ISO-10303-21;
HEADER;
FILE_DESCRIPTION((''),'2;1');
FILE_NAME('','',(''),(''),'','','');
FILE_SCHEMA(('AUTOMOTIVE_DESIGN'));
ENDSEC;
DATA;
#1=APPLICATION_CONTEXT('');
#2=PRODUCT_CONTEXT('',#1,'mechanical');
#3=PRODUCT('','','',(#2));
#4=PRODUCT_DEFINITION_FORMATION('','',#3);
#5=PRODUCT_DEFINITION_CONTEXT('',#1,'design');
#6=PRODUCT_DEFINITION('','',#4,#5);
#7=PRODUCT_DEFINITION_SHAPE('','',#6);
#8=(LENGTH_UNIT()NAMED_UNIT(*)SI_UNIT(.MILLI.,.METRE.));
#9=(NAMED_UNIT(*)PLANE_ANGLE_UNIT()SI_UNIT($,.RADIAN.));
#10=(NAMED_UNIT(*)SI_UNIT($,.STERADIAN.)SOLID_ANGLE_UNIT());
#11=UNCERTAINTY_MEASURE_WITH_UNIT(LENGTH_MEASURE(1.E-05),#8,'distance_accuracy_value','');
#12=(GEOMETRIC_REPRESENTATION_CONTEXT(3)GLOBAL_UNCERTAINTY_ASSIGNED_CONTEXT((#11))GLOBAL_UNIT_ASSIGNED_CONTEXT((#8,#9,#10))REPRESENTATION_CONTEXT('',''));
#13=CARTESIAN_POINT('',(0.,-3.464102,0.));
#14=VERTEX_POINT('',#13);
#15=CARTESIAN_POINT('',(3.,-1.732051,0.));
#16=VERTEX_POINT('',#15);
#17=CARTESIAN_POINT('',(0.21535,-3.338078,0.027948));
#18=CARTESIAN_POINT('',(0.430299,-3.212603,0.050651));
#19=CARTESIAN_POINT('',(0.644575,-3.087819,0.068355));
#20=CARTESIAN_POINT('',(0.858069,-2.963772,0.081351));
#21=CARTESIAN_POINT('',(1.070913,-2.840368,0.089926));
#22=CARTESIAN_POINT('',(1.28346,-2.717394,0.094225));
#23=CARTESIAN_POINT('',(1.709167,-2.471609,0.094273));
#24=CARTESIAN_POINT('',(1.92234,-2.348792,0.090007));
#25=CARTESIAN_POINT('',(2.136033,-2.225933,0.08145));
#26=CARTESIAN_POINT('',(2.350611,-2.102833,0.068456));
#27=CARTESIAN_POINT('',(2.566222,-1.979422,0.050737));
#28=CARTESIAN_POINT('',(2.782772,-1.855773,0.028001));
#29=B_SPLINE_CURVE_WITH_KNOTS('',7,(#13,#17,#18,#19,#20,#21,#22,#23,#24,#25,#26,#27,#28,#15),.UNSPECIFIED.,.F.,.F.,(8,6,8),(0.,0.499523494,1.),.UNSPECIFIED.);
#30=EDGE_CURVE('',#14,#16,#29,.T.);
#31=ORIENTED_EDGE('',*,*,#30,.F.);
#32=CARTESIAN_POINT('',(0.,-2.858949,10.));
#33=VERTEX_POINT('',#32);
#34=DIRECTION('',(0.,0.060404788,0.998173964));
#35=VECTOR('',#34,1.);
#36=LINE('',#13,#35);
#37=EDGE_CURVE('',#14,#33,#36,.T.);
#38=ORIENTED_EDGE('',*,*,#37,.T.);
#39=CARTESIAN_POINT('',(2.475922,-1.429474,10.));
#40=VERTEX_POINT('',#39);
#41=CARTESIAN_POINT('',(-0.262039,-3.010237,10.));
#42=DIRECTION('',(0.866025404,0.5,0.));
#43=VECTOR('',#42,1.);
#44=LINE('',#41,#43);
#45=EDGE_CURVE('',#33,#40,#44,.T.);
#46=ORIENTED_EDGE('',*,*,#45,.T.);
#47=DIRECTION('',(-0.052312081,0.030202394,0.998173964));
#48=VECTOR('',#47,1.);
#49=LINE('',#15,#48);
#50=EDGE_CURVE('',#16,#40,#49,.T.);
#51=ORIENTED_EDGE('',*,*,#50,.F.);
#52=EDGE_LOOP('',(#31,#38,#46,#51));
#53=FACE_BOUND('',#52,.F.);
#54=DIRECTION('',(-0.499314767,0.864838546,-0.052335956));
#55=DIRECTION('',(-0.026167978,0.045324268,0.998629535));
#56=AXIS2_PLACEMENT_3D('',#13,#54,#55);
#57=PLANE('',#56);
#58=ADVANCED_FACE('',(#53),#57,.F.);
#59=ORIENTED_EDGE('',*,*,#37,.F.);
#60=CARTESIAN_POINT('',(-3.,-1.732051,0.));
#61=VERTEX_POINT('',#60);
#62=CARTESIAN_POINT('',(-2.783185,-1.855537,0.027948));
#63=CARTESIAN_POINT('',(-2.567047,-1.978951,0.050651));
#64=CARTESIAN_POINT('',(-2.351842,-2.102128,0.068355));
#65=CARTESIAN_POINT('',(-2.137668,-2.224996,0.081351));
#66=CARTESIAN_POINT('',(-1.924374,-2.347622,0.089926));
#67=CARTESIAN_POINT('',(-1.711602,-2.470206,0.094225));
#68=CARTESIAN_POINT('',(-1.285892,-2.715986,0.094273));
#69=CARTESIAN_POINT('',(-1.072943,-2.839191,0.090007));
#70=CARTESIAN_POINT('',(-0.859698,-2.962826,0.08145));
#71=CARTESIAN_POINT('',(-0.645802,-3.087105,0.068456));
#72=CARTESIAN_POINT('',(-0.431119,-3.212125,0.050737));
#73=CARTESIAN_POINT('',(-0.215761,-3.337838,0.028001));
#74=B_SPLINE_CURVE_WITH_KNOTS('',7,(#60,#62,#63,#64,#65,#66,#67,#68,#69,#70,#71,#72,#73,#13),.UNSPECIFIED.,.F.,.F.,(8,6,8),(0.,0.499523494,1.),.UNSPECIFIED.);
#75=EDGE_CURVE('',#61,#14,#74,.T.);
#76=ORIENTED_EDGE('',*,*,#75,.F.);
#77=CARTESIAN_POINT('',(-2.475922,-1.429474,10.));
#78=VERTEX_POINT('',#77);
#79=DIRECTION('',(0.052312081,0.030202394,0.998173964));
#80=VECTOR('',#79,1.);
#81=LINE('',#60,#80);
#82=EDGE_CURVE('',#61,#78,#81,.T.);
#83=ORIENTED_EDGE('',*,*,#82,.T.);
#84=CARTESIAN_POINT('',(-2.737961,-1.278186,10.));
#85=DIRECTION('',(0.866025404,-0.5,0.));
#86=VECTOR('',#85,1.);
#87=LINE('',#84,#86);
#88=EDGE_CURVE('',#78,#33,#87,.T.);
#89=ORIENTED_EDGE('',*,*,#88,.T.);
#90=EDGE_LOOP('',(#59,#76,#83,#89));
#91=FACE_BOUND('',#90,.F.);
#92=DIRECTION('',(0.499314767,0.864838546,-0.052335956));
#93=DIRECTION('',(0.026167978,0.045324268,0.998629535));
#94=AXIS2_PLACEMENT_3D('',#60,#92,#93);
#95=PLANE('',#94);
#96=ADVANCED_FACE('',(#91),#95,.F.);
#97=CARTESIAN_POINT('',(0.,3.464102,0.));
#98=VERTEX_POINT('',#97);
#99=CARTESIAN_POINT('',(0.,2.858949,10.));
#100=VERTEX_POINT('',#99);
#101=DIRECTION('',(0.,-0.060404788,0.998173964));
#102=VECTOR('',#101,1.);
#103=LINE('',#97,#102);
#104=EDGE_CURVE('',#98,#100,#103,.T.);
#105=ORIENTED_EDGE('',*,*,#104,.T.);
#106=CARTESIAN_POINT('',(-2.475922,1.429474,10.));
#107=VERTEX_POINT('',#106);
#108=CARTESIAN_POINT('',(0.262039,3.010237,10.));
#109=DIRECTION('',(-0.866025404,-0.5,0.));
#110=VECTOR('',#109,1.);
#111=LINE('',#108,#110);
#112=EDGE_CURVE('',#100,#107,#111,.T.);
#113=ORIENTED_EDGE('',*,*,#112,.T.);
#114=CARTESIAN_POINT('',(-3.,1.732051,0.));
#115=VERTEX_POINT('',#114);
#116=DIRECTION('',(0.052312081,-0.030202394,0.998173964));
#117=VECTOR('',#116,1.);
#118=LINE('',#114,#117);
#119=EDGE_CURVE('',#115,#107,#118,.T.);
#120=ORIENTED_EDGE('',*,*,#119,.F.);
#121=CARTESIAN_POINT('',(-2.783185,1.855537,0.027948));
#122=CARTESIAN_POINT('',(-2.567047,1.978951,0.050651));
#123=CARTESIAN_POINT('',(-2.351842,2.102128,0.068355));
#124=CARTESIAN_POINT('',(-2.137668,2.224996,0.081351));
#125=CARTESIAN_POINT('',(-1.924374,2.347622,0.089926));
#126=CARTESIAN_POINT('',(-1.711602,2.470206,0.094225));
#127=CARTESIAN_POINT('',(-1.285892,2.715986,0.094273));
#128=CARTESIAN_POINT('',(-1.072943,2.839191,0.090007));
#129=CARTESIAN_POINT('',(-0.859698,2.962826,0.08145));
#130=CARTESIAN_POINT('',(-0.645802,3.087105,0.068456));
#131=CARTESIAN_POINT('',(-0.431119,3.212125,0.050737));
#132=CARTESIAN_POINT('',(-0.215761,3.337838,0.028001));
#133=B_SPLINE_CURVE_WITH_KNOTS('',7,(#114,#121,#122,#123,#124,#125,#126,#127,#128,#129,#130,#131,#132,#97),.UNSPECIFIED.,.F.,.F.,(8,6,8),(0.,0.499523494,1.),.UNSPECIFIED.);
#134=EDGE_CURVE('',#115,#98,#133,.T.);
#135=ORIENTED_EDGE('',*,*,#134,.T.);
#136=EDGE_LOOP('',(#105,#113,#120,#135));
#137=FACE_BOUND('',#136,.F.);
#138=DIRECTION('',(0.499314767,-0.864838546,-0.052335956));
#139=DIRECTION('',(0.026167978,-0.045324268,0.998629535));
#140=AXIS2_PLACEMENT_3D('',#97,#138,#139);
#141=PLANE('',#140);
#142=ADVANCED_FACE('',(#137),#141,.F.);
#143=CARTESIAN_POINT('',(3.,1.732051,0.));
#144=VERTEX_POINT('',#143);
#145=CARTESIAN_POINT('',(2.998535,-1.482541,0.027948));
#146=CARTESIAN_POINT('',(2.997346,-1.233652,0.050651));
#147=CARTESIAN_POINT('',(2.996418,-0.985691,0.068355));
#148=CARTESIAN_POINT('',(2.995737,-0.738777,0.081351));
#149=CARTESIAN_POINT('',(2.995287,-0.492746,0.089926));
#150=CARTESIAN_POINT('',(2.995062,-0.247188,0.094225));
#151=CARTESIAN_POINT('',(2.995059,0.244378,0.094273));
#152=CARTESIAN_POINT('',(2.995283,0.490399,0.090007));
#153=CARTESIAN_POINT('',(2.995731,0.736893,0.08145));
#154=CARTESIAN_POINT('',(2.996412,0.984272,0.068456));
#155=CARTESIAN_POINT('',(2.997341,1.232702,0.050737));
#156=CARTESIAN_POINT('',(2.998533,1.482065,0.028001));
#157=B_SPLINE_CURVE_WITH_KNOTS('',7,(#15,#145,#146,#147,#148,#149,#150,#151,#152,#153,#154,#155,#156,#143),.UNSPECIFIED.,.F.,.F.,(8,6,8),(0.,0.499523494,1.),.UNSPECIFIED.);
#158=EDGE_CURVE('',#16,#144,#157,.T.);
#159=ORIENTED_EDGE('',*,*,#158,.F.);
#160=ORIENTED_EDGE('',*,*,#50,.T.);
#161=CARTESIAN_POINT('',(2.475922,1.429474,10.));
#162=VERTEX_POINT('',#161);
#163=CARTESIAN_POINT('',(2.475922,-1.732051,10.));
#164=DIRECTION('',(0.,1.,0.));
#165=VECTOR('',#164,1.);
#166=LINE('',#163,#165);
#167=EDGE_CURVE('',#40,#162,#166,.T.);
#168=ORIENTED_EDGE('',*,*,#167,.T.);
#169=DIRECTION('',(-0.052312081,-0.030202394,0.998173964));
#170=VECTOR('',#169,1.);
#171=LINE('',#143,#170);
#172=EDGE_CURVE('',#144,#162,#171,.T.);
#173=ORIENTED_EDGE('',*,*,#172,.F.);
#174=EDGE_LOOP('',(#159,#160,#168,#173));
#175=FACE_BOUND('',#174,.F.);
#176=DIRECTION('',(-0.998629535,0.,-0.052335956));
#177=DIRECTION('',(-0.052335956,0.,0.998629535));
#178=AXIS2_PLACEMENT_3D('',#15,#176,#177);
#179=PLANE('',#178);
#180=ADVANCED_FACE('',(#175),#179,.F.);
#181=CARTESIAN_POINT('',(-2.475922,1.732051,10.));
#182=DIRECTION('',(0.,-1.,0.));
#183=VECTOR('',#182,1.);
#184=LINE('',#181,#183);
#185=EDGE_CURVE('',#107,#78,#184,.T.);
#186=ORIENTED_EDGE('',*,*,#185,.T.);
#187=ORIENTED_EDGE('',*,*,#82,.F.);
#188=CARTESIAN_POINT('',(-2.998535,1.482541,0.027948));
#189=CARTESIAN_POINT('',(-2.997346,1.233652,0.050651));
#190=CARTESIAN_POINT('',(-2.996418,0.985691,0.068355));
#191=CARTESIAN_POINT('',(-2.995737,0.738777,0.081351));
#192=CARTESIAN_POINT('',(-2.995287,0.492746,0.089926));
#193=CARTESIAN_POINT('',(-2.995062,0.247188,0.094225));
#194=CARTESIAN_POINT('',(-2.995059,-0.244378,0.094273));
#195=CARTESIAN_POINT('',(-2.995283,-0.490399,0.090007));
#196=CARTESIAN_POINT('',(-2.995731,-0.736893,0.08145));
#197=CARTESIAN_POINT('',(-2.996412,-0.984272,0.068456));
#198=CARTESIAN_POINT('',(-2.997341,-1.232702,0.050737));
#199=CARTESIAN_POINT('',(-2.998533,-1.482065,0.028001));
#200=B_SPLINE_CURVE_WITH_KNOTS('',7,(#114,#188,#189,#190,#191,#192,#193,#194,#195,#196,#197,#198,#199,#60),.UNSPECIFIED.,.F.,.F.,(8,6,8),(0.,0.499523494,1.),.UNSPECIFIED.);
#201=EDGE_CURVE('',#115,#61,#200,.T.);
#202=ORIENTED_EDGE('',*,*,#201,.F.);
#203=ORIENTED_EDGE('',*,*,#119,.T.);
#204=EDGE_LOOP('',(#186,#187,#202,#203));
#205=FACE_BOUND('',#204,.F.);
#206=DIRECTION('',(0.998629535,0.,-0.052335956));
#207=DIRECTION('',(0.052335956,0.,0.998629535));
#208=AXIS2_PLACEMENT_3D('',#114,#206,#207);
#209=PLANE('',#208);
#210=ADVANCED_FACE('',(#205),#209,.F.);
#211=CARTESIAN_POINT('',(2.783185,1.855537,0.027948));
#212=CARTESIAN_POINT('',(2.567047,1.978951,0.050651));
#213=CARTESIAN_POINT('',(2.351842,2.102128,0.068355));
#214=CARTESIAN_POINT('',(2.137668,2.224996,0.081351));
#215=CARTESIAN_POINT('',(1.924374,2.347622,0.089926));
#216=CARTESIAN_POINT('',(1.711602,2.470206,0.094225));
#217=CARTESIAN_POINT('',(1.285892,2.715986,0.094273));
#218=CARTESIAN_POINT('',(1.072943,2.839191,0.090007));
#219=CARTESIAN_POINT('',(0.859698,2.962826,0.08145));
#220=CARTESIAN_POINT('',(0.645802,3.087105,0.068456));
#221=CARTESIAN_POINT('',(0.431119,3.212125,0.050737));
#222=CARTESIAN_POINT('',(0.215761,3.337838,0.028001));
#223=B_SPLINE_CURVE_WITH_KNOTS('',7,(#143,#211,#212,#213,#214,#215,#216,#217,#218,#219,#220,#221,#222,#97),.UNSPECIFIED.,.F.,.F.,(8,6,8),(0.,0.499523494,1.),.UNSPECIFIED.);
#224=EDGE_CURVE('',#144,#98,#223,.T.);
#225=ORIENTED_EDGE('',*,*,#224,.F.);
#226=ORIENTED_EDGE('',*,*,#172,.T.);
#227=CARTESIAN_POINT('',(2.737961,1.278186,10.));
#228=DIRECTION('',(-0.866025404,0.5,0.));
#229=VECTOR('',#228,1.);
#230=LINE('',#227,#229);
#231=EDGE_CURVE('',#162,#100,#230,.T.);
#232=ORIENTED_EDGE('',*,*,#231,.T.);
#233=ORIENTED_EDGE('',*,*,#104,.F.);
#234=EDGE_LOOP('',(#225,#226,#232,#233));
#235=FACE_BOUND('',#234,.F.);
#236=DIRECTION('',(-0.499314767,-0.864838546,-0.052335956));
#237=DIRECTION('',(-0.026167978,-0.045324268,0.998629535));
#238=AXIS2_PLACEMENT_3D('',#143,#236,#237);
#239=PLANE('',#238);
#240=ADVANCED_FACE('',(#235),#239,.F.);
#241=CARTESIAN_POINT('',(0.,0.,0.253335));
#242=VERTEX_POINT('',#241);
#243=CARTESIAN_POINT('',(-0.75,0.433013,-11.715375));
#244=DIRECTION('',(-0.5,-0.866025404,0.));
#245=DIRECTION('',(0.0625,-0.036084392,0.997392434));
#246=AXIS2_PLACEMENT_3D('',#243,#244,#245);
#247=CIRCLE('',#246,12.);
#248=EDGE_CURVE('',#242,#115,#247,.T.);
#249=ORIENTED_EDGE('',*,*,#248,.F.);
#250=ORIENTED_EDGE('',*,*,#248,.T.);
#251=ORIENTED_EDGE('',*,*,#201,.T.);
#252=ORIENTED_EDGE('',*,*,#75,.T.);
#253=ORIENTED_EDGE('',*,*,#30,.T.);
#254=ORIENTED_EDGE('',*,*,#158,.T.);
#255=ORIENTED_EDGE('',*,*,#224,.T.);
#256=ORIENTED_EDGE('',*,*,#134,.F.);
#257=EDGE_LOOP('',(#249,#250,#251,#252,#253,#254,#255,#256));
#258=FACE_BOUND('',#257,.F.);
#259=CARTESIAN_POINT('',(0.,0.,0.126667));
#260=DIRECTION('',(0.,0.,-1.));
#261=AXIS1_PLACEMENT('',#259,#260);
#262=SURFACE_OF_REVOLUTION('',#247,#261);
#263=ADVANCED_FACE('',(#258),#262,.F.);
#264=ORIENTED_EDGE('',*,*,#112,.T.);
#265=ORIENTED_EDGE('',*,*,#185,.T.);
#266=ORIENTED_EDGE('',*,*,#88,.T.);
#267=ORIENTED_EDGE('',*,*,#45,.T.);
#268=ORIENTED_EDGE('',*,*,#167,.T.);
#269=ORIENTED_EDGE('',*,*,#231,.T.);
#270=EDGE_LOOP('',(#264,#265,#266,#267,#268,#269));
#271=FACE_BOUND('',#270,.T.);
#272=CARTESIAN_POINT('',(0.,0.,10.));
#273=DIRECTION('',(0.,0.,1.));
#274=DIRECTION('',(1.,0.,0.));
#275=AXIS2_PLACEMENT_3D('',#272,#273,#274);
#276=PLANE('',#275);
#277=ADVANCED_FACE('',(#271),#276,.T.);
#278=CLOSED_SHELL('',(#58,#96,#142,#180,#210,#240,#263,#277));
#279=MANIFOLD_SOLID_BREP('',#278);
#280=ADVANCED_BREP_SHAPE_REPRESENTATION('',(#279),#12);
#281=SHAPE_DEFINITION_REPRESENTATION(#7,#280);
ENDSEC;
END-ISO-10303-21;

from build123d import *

# Parameters (mm, degrees)
F1_DEPTH = 10
F1_TAPER = 3


with BuildPart() as f1:
    # F0 (on Top) → F1 (new body)
    with BuildSketch(Plane.XY):
        Polygon((3, -1.7320508076), (3, 1.7320508076), (0, 3.4641016151), (-3, 1.7320508076), (-3, -1.7320508076), (0, -3.4641016151), align=None)
    extrude(amount=F1_DEPTH, taper=F1_TAPER)


with BuildPart() as f4:
    # F3 (on 3pt) → F4 (revolve)
    with BuildSketch(Plane(origin=(0, 0, 0), x_dir=(0.8660254038, -0.5, 0), z_dir=(-0.5, -0.8660254038, 0))):
        with BuildLine():
            Line((0, 0), (0, 0.2533346897))
            ThreePointArc((0, 0.2533346897), (-1.7412651517, 0.2526643975), (-3.4641016151, 0))
            Line((-3.4641016151, 0), (0, 0))
        make_face()
    revolve(axis=Axis((0, 0, 0.1266673449), (0, 0, -1)))


with BuildPart() as f1_1:
    add(f1.part)

    # F5: cut F4
    add(f4.part, mode=Mode.SUBTRACT)


solid = f1_1.part
